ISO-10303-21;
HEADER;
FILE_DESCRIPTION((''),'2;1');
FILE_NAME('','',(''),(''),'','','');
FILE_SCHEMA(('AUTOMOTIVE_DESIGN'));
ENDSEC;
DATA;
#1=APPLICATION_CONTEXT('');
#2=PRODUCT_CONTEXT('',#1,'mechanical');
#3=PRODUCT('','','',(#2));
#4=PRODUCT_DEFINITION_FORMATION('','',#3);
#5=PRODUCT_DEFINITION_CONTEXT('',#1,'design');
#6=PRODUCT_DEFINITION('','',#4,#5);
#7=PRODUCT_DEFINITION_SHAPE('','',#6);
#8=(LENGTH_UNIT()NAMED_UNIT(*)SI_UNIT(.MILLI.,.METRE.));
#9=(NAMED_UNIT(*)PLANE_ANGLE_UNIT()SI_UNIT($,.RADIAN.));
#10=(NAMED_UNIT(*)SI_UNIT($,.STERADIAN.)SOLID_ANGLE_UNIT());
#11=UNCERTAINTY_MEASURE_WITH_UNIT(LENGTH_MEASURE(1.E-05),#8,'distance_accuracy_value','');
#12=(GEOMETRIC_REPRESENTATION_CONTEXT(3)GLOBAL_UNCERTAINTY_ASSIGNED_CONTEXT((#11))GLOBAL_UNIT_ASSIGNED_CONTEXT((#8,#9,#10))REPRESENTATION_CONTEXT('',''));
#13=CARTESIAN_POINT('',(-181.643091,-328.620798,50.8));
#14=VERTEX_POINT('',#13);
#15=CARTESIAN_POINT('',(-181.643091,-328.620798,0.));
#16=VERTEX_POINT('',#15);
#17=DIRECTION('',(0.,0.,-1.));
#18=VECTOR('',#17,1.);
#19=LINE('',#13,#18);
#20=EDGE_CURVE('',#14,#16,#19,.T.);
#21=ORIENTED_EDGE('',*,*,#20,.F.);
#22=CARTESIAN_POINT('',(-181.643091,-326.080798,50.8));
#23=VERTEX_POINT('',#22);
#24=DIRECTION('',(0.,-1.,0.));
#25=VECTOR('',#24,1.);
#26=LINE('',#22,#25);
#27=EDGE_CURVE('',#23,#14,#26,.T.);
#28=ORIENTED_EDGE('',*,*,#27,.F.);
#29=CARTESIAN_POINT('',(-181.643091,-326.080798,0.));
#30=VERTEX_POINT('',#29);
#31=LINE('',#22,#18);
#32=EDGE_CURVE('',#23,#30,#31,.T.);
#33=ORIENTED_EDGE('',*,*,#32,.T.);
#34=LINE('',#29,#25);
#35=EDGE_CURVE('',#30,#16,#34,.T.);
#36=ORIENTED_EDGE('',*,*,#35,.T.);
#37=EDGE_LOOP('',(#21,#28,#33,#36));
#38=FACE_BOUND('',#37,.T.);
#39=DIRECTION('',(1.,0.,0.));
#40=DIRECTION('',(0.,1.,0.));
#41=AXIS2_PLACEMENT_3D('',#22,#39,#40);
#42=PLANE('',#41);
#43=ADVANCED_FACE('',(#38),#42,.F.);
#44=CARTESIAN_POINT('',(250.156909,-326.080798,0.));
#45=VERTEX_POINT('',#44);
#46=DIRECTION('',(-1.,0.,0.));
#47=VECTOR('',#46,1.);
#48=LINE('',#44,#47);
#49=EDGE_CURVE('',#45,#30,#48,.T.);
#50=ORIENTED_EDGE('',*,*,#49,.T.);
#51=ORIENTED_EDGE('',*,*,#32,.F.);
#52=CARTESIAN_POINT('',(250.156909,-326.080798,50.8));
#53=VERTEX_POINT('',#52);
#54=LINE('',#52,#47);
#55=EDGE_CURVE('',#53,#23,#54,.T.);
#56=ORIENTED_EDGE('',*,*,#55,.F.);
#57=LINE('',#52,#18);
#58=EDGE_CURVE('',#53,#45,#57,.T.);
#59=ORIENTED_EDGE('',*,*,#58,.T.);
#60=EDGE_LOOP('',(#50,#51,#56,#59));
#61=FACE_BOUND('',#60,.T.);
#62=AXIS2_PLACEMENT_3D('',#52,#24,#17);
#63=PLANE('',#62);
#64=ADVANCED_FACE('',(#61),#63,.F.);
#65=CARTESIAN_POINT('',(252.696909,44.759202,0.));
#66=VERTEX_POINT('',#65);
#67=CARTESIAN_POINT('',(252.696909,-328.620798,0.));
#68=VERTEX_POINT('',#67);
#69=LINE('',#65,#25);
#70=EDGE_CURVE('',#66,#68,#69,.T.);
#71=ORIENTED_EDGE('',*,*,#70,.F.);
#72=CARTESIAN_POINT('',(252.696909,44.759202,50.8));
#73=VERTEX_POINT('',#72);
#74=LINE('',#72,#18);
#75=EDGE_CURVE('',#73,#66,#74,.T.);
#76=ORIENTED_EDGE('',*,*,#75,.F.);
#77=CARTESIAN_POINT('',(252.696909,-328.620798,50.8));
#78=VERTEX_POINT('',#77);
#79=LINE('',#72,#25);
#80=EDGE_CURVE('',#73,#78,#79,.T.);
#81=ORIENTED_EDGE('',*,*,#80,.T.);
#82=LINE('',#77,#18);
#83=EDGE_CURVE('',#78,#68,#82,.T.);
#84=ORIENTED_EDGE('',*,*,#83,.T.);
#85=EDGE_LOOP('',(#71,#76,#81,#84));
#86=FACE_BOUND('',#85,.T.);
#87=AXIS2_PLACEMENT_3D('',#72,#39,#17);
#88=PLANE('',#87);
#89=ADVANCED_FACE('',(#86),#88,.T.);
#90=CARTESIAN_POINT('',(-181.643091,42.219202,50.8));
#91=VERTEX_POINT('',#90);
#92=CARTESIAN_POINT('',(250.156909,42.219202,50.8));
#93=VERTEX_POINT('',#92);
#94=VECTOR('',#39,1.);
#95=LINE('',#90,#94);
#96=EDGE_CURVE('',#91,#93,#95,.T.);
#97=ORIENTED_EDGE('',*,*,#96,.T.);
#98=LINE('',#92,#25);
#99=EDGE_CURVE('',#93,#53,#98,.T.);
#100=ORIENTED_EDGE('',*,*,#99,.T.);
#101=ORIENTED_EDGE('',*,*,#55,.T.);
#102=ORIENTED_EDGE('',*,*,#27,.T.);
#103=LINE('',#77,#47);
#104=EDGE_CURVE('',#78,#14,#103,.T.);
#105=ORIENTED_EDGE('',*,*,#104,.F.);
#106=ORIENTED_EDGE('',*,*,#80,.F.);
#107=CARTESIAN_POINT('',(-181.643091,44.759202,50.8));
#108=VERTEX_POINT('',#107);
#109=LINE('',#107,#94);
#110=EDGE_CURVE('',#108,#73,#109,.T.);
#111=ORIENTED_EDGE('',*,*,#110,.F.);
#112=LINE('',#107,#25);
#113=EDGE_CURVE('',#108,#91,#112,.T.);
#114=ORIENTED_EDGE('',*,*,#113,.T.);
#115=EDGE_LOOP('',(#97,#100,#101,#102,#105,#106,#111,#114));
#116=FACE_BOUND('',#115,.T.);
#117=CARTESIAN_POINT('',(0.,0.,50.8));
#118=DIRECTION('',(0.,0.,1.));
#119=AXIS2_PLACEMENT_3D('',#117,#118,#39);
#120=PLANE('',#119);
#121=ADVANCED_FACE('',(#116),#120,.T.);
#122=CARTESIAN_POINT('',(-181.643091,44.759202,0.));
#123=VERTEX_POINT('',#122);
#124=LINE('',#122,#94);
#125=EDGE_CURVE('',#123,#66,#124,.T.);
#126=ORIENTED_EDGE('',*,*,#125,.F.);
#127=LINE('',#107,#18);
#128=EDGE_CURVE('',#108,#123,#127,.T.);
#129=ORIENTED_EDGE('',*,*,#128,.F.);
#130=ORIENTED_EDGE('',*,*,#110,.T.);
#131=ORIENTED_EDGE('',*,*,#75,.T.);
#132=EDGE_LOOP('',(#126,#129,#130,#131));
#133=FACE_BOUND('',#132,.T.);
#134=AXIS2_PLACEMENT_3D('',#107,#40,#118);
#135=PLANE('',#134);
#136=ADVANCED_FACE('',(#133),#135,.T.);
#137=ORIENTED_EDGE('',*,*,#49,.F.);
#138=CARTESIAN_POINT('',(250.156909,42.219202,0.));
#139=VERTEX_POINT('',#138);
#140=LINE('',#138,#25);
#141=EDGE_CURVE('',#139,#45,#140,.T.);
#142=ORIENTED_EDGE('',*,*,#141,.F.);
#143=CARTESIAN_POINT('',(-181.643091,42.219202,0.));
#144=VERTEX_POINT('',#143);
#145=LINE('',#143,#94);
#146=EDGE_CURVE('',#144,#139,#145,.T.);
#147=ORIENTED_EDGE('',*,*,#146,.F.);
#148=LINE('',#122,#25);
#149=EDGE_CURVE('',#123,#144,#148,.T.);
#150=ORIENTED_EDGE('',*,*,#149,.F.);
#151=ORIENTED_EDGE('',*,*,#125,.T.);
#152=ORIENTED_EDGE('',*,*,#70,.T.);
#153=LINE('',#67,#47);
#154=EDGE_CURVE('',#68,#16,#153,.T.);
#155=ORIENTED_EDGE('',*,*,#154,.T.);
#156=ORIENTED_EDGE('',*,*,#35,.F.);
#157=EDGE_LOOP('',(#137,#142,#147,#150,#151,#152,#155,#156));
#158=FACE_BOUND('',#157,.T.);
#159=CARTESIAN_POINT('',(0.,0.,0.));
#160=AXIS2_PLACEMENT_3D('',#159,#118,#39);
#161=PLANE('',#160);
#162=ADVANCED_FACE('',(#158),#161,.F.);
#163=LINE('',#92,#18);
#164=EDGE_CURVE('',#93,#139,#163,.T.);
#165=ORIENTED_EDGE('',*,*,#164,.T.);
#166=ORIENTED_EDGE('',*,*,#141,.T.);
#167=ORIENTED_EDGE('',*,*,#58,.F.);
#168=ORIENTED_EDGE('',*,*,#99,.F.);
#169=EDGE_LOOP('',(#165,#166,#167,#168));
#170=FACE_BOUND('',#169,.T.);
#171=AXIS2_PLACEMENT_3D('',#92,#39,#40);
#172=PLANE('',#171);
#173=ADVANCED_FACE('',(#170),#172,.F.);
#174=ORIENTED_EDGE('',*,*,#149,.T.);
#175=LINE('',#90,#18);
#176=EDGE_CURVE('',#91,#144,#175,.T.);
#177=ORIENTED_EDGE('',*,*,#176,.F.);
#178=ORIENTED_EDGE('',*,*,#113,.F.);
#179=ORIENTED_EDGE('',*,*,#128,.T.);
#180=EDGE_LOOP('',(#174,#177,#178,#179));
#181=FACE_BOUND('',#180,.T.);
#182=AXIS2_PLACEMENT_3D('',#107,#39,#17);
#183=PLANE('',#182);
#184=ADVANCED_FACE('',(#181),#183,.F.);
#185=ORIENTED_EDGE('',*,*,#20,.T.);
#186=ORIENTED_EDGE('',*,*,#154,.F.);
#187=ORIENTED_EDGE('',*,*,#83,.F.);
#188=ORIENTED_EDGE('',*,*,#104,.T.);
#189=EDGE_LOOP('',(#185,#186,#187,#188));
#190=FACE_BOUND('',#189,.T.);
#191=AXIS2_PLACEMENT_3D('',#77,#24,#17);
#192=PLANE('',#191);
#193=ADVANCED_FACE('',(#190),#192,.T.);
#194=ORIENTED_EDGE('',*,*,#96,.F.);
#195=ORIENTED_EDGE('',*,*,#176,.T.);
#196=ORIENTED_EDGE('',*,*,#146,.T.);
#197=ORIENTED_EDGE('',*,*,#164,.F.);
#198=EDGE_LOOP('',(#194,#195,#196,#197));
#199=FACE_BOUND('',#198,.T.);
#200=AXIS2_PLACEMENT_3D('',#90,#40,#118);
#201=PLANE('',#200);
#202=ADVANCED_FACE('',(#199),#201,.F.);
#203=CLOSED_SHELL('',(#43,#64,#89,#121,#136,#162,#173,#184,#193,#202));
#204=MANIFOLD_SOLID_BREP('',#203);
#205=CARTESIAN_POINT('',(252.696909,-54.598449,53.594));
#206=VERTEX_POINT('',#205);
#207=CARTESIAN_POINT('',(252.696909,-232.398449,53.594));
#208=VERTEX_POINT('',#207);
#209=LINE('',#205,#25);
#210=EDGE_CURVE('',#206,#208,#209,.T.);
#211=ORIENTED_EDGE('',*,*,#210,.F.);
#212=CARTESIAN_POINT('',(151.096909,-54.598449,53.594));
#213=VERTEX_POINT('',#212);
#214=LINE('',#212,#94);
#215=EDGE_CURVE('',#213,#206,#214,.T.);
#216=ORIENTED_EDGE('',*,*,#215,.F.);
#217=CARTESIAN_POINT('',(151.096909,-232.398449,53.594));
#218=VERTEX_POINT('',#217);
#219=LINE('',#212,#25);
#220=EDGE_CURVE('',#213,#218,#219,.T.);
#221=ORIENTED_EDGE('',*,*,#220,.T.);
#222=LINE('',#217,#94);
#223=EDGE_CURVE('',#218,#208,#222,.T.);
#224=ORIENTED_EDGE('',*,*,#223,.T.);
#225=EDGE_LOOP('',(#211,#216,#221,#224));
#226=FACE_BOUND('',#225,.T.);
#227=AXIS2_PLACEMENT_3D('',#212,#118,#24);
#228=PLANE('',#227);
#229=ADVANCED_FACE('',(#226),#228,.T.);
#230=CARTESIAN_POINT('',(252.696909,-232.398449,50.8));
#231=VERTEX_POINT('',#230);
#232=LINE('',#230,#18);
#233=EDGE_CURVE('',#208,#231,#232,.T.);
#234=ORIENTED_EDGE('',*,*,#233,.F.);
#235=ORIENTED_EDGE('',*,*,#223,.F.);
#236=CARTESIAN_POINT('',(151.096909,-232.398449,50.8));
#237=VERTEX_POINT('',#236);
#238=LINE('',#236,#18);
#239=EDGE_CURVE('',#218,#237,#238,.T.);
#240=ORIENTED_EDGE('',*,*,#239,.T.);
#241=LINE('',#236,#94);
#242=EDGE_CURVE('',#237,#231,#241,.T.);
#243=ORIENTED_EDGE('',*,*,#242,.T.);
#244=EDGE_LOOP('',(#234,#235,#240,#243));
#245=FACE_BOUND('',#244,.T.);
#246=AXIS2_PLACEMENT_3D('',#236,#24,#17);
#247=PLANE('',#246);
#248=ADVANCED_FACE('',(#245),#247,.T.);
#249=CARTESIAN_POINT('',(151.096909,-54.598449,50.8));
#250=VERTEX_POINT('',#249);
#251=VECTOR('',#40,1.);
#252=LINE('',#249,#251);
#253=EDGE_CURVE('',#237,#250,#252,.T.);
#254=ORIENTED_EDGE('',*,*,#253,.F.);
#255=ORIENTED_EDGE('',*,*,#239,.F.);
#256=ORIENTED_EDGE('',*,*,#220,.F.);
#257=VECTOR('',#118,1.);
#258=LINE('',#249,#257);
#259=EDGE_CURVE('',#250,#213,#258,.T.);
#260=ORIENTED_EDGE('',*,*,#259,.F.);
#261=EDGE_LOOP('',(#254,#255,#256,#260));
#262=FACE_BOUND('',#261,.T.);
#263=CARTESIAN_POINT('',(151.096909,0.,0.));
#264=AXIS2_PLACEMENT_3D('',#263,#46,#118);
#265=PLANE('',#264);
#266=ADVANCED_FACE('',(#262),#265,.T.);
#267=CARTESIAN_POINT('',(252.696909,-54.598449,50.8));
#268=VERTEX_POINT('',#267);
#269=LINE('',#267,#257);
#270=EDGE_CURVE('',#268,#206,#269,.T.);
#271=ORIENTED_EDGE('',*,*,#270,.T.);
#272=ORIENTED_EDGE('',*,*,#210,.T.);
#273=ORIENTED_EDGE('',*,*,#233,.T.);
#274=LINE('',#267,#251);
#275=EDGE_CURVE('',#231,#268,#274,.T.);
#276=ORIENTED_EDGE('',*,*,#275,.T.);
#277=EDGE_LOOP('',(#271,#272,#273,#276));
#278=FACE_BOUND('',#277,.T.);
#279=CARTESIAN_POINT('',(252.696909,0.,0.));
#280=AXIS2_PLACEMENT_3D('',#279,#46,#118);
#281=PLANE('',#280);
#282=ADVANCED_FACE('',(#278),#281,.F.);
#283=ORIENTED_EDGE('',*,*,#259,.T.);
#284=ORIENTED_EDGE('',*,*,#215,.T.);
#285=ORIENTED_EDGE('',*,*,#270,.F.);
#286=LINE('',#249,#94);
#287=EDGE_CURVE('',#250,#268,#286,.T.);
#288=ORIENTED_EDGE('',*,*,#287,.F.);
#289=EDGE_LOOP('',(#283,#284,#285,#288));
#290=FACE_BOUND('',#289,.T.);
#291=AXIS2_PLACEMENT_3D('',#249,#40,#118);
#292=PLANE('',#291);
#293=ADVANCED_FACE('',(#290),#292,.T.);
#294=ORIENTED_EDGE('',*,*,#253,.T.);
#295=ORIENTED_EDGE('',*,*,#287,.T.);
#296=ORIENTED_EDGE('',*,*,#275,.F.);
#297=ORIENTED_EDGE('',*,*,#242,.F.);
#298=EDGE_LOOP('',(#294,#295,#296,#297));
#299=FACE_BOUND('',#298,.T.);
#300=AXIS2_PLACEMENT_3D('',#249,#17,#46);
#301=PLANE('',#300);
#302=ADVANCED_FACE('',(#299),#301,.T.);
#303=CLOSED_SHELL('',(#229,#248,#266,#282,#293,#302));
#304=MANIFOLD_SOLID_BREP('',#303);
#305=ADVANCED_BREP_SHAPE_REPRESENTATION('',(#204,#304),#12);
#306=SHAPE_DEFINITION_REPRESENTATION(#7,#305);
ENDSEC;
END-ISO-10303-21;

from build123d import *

# Parameters (mm, degrees)
BOSS_EXTRUDE1_DEPTH = 50.8
SKETCH6_W           = 2.794
SKETCH6_H           = 177.8
BOSS_EXTRUDE2_DEPTH = 101.6


with BuildPart() as part:
    # Sketch5 → Boss-Extrude1 (new body)
    with BuildSketch(Plane.XY):
        Polygon((-181.643091349, 42.219202195), (250.156908651, 42.219202195), (250.156908651, -326.080797805), (-181.643091349, -326.080797805), (-181.643091349, -328.620797805), (252.696908651, -328.620797805), (252.696908651, 44.759202195), (-181.643091349, 44.759202195), align=None)
    extrude(amount=BOSS_EXTRUDE1_DEPTH)


with BuildPart() as body_2:
    # Sketch6 → Boss-Extrude2 (new body)
    with BuildSketch(Plane(origin=(252.696908651, 0, 0), x_dir=(0, 0, -1), z_dir=(1, 0, 0))):
        with Locations((-52.197, -143.498449388)):
            Rectangle(SKETCH6_W, SKETCH6_H)
    extrude(amount=-BOSS_EXTRUDE2_DEPTH)


solid = Compound([part.part, body_2.part])
